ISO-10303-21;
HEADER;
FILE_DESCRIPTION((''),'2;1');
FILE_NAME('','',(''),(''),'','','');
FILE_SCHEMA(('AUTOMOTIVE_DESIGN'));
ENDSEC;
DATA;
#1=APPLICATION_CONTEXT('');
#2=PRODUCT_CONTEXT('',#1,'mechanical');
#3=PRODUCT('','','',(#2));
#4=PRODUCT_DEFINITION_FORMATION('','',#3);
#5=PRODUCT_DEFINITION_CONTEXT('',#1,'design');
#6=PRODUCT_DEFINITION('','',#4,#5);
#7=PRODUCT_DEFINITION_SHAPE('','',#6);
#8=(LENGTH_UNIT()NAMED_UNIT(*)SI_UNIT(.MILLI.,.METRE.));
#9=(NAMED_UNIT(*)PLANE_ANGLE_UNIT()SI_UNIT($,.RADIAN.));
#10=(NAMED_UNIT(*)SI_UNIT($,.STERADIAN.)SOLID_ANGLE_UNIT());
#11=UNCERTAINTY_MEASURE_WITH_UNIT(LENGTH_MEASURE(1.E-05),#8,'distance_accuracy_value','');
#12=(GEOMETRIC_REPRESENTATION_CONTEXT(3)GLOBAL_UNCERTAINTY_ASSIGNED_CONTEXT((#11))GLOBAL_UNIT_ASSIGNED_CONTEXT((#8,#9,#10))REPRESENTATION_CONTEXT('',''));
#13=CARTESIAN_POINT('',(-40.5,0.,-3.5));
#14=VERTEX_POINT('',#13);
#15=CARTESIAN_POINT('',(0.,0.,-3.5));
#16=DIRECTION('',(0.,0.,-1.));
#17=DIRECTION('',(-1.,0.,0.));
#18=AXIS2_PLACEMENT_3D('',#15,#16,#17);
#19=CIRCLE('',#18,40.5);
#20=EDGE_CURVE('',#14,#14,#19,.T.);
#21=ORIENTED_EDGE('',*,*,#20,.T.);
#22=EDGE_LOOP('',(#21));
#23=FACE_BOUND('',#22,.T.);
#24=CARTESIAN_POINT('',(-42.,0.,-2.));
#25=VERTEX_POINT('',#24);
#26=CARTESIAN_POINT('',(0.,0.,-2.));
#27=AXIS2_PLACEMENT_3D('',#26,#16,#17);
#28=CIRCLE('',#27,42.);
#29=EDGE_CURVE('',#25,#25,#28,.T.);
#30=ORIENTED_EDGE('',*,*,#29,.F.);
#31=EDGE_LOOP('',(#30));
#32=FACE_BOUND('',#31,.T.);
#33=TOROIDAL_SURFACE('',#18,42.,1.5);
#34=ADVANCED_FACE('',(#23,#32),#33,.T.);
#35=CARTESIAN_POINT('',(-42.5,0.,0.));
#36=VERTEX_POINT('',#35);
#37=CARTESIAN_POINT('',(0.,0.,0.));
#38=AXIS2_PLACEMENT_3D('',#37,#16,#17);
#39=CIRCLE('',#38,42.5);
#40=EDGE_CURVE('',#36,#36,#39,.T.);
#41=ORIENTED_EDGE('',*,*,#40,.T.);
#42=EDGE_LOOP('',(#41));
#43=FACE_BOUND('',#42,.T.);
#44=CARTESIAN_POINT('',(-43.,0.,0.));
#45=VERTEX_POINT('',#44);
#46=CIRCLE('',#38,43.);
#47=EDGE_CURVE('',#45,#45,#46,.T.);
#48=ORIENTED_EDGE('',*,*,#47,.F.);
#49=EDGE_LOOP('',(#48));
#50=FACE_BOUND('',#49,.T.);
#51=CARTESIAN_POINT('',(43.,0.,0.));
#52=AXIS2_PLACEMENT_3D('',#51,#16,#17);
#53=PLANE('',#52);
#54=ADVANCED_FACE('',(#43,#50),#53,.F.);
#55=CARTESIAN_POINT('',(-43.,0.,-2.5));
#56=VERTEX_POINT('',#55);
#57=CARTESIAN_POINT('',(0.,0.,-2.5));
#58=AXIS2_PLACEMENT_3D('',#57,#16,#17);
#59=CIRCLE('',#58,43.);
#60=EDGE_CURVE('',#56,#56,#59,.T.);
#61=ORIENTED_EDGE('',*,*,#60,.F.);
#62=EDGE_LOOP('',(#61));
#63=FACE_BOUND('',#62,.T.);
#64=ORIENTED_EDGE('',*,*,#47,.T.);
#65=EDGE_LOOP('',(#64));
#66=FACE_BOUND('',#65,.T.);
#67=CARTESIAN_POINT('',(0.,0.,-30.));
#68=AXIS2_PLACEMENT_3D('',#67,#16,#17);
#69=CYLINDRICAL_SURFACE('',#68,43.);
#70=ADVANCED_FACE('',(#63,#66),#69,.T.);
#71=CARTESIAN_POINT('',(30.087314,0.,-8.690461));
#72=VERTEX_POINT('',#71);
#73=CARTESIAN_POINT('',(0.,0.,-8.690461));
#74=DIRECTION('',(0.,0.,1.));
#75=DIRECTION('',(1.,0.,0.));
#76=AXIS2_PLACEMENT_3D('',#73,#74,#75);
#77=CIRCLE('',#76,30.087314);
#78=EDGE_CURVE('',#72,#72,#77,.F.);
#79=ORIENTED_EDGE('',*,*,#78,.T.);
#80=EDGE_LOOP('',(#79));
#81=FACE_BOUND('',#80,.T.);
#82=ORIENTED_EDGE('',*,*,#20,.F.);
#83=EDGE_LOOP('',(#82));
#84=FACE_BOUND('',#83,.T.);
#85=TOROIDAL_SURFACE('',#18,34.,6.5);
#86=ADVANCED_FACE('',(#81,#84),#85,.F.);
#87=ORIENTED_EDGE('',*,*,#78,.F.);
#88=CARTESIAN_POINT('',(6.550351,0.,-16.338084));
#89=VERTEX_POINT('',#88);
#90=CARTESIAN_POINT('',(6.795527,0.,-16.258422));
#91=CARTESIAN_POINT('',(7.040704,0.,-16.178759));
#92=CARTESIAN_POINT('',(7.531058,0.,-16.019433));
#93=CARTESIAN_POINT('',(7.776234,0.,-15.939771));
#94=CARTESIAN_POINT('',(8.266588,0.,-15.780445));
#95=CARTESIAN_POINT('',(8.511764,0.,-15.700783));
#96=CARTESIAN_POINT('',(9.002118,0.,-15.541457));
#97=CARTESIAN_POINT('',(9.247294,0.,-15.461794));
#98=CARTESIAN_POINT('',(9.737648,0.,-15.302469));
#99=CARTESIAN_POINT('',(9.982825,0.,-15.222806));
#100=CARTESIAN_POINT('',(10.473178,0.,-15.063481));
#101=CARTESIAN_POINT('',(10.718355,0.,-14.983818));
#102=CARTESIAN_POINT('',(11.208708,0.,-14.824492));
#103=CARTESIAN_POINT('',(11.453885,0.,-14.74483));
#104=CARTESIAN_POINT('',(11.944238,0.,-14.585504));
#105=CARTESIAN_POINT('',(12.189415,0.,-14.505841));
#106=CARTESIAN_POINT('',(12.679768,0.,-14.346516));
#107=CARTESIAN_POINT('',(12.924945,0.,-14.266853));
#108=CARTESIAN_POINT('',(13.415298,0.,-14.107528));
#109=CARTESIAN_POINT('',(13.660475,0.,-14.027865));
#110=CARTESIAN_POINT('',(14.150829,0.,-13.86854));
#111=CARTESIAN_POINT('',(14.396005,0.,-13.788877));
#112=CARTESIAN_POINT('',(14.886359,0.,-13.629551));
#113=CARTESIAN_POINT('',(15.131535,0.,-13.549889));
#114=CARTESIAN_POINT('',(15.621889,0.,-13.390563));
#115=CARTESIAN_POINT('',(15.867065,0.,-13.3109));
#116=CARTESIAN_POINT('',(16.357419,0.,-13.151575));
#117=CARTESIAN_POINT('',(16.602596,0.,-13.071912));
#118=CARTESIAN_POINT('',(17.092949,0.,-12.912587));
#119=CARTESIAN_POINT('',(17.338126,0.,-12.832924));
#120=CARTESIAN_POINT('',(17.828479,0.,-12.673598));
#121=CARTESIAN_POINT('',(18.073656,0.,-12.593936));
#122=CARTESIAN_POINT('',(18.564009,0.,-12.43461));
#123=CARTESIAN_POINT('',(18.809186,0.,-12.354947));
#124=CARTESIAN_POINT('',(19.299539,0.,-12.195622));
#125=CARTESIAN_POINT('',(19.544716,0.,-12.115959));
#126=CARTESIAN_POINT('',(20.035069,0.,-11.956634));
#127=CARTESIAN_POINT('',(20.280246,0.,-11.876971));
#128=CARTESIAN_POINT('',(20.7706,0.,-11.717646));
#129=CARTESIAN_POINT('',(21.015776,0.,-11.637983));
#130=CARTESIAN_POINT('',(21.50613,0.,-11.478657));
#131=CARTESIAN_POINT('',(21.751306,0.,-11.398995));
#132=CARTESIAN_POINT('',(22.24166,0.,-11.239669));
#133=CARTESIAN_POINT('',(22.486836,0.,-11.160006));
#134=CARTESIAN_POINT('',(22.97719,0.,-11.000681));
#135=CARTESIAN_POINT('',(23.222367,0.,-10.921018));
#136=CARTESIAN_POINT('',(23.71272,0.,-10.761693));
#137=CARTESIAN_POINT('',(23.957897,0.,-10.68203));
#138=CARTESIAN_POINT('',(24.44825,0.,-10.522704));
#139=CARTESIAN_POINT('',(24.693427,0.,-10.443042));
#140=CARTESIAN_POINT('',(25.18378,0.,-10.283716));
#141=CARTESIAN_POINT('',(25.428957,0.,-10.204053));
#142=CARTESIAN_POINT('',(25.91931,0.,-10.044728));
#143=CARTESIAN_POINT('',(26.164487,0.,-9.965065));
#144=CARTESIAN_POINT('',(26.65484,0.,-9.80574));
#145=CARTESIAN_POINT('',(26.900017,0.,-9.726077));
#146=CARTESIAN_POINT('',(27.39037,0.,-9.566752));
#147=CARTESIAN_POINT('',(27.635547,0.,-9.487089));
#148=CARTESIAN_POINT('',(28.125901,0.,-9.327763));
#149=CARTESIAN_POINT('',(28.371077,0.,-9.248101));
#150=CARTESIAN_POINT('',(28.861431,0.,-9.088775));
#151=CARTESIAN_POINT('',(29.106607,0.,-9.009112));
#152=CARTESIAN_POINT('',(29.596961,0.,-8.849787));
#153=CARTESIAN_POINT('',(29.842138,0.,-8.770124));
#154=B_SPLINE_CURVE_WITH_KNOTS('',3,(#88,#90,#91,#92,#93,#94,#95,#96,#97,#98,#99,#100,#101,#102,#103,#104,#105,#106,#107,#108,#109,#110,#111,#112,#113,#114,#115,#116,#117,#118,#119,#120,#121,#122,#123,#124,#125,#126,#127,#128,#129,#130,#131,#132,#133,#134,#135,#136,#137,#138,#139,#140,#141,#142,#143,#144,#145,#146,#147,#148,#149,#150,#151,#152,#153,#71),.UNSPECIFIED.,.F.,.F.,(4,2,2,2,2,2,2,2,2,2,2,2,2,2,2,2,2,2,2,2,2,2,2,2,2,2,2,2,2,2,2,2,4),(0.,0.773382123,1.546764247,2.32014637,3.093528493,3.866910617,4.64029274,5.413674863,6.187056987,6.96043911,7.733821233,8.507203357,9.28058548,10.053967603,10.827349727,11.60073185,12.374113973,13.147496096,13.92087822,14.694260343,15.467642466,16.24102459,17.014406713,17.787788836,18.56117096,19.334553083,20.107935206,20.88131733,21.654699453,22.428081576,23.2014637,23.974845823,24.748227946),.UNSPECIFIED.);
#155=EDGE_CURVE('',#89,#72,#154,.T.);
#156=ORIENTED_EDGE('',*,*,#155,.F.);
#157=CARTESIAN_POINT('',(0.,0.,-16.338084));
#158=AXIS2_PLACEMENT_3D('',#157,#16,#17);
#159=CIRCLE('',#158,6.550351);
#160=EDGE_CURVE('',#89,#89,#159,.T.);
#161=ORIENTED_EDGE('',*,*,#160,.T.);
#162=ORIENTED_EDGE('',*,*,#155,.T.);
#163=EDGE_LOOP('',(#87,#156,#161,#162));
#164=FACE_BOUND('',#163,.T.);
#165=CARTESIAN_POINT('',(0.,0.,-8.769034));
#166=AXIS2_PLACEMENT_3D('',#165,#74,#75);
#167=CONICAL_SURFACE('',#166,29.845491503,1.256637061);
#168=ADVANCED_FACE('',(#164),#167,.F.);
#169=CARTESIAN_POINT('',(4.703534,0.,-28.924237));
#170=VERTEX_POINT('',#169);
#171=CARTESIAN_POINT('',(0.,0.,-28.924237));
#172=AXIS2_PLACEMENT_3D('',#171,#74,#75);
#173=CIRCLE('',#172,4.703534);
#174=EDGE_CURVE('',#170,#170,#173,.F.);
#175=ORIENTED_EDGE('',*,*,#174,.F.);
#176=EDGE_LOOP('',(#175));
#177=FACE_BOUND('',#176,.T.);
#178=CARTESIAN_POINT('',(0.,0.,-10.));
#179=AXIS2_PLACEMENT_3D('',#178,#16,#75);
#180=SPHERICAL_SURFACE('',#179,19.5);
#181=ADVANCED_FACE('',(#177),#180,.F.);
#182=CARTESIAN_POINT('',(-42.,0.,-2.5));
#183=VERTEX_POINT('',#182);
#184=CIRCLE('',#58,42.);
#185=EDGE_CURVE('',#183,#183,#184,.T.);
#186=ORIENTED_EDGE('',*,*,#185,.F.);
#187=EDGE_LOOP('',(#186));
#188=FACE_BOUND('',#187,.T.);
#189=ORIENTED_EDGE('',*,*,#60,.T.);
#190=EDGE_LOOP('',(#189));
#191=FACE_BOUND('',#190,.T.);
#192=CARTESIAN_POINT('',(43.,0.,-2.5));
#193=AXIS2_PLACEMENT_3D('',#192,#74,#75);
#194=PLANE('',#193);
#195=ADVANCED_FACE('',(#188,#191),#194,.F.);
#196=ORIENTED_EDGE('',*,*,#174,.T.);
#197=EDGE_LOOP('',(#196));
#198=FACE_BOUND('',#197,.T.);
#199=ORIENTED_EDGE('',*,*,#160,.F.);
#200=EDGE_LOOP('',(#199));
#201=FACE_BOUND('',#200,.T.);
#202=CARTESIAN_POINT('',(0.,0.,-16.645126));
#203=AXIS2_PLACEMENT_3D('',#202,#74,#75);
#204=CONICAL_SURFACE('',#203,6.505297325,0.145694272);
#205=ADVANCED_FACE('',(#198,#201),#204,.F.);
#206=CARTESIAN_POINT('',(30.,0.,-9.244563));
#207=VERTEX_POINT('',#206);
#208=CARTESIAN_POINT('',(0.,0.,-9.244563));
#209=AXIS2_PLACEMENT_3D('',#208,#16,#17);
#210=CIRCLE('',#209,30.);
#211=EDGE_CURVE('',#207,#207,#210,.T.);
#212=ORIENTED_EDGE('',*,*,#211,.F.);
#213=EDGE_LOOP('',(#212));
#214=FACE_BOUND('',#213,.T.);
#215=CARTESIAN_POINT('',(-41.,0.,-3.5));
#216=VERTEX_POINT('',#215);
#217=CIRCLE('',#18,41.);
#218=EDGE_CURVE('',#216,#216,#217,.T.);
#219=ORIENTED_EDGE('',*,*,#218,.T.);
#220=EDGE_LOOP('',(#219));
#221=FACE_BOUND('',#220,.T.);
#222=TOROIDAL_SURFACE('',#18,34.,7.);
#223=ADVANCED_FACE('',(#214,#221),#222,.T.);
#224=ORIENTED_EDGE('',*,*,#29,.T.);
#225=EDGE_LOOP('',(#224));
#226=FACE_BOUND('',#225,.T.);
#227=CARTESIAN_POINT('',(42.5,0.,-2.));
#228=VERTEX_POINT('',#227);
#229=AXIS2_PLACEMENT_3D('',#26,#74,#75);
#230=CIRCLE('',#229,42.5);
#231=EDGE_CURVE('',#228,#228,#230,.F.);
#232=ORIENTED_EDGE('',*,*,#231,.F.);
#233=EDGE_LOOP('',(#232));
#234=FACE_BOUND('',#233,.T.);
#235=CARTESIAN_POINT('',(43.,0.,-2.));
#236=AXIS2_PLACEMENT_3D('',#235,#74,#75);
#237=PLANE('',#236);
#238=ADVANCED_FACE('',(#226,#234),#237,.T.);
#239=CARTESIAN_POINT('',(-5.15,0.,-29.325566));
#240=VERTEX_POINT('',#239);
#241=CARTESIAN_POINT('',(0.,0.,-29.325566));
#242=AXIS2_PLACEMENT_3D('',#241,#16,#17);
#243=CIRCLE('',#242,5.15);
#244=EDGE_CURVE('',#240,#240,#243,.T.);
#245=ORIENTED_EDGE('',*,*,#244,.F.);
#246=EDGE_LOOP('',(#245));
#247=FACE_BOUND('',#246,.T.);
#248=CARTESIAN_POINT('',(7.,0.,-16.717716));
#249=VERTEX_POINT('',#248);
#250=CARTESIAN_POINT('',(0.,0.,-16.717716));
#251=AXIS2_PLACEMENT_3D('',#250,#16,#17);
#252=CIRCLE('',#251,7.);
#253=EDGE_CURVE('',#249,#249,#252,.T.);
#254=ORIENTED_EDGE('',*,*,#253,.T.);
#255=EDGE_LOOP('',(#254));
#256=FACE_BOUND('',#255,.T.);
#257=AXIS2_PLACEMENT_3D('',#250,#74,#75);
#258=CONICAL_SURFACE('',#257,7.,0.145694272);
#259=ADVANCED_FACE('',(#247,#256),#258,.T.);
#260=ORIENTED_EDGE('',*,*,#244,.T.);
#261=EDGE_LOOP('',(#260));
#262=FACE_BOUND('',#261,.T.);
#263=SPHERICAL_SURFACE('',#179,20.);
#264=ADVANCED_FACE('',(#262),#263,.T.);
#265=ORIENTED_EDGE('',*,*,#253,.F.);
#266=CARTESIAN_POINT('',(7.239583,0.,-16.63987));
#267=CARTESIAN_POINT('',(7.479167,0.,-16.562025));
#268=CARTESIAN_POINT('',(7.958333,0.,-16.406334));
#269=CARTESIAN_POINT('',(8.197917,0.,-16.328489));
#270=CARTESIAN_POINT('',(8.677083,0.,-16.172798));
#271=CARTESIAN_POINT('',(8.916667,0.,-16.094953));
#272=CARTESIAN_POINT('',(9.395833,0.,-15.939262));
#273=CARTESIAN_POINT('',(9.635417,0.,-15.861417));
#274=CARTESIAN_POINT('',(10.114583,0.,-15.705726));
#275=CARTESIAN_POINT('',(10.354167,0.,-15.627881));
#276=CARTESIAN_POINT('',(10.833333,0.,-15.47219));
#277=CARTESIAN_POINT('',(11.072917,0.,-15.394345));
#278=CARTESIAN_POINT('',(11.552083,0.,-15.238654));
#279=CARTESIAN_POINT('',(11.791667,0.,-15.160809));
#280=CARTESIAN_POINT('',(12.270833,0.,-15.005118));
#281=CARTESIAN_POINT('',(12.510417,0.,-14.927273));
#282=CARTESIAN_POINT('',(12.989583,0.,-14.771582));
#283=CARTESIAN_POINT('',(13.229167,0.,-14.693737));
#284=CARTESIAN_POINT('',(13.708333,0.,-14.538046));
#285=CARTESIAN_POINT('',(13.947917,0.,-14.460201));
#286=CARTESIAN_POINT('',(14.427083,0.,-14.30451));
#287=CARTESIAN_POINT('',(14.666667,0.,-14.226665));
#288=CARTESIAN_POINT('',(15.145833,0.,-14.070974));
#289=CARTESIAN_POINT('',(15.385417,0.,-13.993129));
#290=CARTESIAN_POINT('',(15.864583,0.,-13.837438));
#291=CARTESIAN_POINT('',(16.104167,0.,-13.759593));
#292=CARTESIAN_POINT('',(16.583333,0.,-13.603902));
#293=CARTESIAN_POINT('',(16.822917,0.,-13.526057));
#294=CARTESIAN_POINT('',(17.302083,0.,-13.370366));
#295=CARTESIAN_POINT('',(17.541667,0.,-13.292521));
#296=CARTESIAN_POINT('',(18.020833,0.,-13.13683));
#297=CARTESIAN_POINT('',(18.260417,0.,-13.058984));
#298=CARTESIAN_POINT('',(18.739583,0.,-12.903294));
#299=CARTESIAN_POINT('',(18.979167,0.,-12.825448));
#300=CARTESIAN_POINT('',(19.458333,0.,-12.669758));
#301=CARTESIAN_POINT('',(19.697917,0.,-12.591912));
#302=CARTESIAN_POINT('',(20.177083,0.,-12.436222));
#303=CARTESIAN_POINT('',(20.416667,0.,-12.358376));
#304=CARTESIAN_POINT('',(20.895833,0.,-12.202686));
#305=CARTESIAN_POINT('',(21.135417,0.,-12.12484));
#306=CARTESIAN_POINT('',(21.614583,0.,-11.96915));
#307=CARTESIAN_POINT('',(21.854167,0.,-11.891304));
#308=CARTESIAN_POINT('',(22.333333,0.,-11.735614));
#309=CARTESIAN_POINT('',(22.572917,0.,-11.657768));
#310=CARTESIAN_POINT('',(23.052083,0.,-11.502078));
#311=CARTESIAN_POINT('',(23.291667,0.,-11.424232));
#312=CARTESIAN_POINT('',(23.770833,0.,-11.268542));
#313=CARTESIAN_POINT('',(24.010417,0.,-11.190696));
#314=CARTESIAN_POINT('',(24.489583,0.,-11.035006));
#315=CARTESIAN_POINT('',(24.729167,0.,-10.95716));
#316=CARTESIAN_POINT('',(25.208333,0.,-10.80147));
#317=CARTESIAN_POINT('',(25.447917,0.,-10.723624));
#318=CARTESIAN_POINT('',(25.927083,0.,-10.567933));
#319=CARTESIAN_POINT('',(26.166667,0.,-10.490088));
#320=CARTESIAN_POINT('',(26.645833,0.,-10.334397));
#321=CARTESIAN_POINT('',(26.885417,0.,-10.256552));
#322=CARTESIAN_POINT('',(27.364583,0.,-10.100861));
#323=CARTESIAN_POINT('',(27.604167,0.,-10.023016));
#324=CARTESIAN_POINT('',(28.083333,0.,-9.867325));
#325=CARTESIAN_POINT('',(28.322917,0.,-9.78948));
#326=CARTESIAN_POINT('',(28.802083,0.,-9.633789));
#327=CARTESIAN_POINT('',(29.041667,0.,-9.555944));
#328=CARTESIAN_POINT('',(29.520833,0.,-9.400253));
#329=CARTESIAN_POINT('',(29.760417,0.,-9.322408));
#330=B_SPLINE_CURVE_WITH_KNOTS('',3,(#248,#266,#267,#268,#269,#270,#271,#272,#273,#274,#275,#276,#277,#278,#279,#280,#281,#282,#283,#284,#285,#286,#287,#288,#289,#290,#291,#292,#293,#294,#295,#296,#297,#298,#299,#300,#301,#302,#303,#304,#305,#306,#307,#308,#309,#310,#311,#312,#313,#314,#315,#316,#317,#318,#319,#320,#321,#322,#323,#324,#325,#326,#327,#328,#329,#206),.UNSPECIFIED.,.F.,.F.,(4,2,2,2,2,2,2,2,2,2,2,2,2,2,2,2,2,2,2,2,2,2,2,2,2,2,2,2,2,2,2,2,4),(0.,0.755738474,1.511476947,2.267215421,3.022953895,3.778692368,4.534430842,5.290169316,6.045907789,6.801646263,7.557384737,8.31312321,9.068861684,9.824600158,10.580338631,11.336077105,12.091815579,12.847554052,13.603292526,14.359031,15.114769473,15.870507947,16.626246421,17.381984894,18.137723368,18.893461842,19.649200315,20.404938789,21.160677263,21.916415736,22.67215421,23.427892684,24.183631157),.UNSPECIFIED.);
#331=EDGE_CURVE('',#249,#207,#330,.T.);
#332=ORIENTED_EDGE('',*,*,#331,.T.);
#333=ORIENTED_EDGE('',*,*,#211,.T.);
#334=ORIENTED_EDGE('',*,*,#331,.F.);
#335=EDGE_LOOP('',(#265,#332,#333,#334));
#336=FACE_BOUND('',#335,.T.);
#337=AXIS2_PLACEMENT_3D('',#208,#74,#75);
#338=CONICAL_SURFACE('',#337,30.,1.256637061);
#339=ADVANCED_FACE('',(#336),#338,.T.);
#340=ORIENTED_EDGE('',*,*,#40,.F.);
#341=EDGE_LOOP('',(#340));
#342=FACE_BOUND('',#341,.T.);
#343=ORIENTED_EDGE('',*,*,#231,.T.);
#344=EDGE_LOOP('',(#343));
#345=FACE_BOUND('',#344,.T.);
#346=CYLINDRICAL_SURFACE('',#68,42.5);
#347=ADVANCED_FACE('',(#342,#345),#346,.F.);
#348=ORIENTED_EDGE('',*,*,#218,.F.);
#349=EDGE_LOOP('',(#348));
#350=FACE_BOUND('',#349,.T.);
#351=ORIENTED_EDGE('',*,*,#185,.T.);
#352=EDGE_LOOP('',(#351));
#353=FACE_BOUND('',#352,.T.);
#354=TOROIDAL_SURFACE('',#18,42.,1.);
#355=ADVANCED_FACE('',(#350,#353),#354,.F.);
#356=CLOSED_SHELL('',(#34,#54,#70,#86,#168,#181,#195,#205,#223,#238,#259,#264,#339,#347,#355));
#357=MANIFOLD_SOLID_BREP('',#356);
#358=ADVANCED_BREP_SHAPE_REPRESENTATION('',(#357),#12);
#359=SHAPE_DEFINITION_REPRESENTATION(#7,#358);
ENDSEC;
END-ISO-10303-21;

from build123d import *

# Parameters (mm, degrees)
SHELL1_T = -0.5


with BuildPart() as part:
    # Sketch1 → Revolve2 (revolve)
    with BuildSketch(Plane(origin=(0, 0, 0), x_dir=(1, 0, 0), z_dir=(0, 1, 0)), mode=Mode.PRIVATE) as revolve2_sk:
        with BuildLine():
            Line((0, 30), (0, 0))
            Line((0, 0), (43, 0))
            Line((43, 0), (43, 2.5))
            Line((43, 2.5), (42, 2.5))
            ThreePointArc((42, 2.5), (41.292893219, 2.792893219), (41, 3.5))
            ThreePointArc((41, 3.5), (37.240370349, 9.704836823), (30, 9.244562647))
            Line((30, 9.244562647), (7, 16.71771566))
            Line((7, 16.71771566), (5.15, 29.325565968))
            ThreePointArc((5.15, 29.325565968), (2.596986776, 29.830674716), (0, 30))
        make_face()
    revolve(revolve2_sk.sketch.rotate(Axis((0, 0, -30), (0, 0, 1)), 180), axis=Axis((0, 0, -30), (0, 0, 1)))

    # Shell1
    shell1_openings = [part.faces().sort_by_distance(p)[0] for p in [
        (0, 0, 0),
    ]]
    offset(amount=SHELL1_T, openings=shell1_openings, kind=Kind.INTERSECTION)


solid = part.part
